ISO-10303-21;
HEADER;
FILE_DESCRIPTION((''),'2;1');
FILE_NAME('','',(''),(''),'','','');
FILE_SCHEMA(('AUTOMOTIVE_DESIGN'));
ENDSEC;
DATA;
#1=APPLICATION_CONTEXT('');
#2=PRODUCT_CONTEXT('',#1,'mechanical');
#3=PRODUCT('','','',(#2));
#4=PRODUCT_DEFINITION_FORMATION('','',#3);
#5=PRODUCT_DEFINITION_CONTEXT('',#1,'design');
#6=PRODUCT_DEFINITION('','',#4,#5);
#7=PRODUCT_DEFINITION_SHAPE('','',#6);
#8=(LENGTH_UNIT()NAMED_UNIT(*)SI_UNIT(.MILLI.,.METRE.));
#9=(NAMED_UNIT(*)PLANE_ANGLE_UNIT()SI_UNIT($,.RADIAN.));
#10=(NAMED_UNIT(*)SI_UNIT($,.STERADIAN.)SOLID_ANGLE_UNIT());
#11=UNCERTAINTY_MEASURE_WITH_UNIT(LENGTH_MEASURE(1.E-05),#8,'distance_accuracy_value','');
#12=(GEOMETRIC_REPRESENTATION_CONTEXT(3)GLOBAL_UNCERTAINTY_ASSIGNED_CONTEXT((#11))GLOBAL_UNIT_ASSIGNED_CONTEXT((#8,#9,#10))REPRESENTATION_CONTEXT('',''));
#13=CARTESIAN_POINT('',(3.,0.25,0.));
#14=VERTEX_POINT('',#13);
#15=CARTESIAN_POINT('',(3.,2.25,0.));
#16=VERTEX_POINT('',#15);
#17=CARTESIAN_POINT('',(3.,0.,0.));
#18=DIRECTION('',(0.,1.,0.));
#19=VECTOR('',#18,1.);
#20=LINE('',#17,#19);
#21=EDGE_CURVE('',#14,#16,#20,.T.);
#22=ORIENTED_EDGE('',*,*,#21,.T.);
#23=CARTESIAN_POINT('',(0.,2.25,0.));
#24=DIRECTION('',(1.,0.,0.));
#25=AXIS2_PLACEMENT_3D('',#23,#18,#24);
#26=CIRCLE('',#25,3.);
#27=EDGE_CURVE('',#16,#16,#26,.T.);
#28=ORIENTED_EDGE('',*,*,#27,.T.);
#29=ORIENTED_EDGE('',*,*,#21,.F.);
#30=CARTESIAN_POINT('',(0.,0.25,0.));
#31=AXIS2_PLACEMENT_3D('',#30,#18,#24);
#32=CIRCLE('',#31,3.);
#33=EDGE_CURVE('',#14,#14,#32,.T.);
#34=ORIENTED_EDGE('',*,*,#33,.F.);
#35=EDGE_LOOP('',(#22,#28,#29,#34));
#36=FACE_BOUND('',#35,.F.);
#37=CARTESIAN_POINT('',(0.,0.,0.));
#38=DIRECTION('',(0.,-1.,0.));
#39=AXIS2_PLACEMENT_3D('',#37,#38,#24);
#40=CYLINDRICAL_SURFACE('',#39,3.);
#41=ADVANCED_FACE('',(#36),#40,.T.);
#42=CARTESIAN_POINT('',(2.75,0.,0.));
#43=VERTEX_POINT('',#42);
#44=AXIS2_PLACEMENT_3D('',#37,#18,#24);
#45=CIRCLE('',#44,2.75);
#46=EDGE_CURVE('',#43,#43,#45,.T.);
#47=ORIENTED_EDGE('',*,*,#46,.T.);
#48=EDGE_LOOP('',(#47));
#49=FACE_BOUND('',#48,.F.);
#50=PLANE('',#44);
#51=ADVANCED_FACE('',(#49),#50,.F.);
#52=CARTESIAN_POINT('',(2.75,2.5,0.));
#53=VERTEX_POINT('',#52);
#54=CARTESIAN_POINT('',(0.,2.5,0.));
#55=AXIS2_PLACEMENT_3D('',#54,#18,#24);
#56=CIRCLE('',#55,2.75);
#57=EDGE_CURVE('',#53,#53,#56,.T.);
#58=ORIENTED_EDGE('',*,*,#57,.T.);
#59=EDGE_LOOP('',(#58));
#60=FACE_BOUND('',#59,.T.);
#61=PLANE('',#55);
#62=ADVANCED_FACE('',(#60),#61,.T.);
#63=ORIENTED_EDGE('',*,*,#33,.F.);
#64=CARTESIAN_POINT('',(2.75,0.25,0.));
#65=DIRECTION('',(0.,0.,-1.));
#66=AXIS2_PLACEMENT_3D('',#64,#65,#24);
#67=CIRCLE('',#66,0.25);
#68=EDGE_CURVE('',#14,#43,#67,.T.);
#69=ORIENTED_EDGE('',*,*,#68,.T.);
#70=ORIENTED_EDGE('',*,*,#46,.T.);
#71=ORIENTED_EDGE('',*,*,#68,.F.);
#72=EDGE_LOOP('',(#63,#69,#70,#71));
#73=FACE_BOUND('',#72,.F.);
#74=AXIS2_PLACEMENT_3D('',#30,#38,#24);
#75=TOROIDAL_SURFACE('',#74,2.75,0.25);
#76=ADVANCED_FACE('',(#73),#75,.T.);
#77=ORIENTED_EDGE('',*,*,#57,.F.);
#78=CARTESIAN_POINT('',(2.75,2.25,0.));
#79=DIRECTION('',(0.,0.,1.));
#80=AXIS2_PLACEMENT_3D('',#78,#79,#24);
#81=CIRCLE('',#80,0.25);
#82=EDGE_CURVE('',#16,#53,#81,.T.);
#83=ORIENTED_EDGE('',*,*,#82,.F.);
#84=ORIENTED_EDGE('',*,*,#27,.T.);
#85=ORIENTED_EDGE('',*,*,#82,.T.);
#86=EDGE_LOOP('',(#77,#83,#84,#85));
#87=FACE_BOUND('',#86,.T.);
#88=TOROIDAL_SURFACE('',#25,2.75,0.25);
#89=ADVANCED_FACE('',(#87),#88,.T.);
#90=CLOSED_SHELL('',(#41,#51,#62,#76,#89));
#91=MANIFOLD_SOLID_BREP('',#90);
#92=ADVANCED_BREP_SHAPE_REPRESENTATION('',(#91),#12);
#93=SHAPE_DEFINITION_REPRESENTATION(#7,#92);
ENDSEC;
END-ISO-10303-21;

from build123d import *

# Parameters (mm, degrees)
SKETCH1_R           = 3
BOSS_EXTRUDE1_DEPTH = 2.5
FILLET1_R           = 0.25


with BuildPart() as part:
    # Sketch1 → Boss-Extrude1 (new body)
    with BuildSketch(Plane(origin=(0, 0, 0), x_dir=(1, 0, 0), z_dir=(0, 1, 0))):
        Circle(SKETCH1_R)
    extrude(amount=BOSS_EXTRUDE1_DEPTH)

    # Fillet1
    fillet1_edges = [part.edges().sort_by_distance(p)[0] for p in [
        (-3, 0, 0),
        (-3, 2.5, 0),
    ]]
    fillet(fillet1_edges, radius=FILLET1_R)


solid = part.part
